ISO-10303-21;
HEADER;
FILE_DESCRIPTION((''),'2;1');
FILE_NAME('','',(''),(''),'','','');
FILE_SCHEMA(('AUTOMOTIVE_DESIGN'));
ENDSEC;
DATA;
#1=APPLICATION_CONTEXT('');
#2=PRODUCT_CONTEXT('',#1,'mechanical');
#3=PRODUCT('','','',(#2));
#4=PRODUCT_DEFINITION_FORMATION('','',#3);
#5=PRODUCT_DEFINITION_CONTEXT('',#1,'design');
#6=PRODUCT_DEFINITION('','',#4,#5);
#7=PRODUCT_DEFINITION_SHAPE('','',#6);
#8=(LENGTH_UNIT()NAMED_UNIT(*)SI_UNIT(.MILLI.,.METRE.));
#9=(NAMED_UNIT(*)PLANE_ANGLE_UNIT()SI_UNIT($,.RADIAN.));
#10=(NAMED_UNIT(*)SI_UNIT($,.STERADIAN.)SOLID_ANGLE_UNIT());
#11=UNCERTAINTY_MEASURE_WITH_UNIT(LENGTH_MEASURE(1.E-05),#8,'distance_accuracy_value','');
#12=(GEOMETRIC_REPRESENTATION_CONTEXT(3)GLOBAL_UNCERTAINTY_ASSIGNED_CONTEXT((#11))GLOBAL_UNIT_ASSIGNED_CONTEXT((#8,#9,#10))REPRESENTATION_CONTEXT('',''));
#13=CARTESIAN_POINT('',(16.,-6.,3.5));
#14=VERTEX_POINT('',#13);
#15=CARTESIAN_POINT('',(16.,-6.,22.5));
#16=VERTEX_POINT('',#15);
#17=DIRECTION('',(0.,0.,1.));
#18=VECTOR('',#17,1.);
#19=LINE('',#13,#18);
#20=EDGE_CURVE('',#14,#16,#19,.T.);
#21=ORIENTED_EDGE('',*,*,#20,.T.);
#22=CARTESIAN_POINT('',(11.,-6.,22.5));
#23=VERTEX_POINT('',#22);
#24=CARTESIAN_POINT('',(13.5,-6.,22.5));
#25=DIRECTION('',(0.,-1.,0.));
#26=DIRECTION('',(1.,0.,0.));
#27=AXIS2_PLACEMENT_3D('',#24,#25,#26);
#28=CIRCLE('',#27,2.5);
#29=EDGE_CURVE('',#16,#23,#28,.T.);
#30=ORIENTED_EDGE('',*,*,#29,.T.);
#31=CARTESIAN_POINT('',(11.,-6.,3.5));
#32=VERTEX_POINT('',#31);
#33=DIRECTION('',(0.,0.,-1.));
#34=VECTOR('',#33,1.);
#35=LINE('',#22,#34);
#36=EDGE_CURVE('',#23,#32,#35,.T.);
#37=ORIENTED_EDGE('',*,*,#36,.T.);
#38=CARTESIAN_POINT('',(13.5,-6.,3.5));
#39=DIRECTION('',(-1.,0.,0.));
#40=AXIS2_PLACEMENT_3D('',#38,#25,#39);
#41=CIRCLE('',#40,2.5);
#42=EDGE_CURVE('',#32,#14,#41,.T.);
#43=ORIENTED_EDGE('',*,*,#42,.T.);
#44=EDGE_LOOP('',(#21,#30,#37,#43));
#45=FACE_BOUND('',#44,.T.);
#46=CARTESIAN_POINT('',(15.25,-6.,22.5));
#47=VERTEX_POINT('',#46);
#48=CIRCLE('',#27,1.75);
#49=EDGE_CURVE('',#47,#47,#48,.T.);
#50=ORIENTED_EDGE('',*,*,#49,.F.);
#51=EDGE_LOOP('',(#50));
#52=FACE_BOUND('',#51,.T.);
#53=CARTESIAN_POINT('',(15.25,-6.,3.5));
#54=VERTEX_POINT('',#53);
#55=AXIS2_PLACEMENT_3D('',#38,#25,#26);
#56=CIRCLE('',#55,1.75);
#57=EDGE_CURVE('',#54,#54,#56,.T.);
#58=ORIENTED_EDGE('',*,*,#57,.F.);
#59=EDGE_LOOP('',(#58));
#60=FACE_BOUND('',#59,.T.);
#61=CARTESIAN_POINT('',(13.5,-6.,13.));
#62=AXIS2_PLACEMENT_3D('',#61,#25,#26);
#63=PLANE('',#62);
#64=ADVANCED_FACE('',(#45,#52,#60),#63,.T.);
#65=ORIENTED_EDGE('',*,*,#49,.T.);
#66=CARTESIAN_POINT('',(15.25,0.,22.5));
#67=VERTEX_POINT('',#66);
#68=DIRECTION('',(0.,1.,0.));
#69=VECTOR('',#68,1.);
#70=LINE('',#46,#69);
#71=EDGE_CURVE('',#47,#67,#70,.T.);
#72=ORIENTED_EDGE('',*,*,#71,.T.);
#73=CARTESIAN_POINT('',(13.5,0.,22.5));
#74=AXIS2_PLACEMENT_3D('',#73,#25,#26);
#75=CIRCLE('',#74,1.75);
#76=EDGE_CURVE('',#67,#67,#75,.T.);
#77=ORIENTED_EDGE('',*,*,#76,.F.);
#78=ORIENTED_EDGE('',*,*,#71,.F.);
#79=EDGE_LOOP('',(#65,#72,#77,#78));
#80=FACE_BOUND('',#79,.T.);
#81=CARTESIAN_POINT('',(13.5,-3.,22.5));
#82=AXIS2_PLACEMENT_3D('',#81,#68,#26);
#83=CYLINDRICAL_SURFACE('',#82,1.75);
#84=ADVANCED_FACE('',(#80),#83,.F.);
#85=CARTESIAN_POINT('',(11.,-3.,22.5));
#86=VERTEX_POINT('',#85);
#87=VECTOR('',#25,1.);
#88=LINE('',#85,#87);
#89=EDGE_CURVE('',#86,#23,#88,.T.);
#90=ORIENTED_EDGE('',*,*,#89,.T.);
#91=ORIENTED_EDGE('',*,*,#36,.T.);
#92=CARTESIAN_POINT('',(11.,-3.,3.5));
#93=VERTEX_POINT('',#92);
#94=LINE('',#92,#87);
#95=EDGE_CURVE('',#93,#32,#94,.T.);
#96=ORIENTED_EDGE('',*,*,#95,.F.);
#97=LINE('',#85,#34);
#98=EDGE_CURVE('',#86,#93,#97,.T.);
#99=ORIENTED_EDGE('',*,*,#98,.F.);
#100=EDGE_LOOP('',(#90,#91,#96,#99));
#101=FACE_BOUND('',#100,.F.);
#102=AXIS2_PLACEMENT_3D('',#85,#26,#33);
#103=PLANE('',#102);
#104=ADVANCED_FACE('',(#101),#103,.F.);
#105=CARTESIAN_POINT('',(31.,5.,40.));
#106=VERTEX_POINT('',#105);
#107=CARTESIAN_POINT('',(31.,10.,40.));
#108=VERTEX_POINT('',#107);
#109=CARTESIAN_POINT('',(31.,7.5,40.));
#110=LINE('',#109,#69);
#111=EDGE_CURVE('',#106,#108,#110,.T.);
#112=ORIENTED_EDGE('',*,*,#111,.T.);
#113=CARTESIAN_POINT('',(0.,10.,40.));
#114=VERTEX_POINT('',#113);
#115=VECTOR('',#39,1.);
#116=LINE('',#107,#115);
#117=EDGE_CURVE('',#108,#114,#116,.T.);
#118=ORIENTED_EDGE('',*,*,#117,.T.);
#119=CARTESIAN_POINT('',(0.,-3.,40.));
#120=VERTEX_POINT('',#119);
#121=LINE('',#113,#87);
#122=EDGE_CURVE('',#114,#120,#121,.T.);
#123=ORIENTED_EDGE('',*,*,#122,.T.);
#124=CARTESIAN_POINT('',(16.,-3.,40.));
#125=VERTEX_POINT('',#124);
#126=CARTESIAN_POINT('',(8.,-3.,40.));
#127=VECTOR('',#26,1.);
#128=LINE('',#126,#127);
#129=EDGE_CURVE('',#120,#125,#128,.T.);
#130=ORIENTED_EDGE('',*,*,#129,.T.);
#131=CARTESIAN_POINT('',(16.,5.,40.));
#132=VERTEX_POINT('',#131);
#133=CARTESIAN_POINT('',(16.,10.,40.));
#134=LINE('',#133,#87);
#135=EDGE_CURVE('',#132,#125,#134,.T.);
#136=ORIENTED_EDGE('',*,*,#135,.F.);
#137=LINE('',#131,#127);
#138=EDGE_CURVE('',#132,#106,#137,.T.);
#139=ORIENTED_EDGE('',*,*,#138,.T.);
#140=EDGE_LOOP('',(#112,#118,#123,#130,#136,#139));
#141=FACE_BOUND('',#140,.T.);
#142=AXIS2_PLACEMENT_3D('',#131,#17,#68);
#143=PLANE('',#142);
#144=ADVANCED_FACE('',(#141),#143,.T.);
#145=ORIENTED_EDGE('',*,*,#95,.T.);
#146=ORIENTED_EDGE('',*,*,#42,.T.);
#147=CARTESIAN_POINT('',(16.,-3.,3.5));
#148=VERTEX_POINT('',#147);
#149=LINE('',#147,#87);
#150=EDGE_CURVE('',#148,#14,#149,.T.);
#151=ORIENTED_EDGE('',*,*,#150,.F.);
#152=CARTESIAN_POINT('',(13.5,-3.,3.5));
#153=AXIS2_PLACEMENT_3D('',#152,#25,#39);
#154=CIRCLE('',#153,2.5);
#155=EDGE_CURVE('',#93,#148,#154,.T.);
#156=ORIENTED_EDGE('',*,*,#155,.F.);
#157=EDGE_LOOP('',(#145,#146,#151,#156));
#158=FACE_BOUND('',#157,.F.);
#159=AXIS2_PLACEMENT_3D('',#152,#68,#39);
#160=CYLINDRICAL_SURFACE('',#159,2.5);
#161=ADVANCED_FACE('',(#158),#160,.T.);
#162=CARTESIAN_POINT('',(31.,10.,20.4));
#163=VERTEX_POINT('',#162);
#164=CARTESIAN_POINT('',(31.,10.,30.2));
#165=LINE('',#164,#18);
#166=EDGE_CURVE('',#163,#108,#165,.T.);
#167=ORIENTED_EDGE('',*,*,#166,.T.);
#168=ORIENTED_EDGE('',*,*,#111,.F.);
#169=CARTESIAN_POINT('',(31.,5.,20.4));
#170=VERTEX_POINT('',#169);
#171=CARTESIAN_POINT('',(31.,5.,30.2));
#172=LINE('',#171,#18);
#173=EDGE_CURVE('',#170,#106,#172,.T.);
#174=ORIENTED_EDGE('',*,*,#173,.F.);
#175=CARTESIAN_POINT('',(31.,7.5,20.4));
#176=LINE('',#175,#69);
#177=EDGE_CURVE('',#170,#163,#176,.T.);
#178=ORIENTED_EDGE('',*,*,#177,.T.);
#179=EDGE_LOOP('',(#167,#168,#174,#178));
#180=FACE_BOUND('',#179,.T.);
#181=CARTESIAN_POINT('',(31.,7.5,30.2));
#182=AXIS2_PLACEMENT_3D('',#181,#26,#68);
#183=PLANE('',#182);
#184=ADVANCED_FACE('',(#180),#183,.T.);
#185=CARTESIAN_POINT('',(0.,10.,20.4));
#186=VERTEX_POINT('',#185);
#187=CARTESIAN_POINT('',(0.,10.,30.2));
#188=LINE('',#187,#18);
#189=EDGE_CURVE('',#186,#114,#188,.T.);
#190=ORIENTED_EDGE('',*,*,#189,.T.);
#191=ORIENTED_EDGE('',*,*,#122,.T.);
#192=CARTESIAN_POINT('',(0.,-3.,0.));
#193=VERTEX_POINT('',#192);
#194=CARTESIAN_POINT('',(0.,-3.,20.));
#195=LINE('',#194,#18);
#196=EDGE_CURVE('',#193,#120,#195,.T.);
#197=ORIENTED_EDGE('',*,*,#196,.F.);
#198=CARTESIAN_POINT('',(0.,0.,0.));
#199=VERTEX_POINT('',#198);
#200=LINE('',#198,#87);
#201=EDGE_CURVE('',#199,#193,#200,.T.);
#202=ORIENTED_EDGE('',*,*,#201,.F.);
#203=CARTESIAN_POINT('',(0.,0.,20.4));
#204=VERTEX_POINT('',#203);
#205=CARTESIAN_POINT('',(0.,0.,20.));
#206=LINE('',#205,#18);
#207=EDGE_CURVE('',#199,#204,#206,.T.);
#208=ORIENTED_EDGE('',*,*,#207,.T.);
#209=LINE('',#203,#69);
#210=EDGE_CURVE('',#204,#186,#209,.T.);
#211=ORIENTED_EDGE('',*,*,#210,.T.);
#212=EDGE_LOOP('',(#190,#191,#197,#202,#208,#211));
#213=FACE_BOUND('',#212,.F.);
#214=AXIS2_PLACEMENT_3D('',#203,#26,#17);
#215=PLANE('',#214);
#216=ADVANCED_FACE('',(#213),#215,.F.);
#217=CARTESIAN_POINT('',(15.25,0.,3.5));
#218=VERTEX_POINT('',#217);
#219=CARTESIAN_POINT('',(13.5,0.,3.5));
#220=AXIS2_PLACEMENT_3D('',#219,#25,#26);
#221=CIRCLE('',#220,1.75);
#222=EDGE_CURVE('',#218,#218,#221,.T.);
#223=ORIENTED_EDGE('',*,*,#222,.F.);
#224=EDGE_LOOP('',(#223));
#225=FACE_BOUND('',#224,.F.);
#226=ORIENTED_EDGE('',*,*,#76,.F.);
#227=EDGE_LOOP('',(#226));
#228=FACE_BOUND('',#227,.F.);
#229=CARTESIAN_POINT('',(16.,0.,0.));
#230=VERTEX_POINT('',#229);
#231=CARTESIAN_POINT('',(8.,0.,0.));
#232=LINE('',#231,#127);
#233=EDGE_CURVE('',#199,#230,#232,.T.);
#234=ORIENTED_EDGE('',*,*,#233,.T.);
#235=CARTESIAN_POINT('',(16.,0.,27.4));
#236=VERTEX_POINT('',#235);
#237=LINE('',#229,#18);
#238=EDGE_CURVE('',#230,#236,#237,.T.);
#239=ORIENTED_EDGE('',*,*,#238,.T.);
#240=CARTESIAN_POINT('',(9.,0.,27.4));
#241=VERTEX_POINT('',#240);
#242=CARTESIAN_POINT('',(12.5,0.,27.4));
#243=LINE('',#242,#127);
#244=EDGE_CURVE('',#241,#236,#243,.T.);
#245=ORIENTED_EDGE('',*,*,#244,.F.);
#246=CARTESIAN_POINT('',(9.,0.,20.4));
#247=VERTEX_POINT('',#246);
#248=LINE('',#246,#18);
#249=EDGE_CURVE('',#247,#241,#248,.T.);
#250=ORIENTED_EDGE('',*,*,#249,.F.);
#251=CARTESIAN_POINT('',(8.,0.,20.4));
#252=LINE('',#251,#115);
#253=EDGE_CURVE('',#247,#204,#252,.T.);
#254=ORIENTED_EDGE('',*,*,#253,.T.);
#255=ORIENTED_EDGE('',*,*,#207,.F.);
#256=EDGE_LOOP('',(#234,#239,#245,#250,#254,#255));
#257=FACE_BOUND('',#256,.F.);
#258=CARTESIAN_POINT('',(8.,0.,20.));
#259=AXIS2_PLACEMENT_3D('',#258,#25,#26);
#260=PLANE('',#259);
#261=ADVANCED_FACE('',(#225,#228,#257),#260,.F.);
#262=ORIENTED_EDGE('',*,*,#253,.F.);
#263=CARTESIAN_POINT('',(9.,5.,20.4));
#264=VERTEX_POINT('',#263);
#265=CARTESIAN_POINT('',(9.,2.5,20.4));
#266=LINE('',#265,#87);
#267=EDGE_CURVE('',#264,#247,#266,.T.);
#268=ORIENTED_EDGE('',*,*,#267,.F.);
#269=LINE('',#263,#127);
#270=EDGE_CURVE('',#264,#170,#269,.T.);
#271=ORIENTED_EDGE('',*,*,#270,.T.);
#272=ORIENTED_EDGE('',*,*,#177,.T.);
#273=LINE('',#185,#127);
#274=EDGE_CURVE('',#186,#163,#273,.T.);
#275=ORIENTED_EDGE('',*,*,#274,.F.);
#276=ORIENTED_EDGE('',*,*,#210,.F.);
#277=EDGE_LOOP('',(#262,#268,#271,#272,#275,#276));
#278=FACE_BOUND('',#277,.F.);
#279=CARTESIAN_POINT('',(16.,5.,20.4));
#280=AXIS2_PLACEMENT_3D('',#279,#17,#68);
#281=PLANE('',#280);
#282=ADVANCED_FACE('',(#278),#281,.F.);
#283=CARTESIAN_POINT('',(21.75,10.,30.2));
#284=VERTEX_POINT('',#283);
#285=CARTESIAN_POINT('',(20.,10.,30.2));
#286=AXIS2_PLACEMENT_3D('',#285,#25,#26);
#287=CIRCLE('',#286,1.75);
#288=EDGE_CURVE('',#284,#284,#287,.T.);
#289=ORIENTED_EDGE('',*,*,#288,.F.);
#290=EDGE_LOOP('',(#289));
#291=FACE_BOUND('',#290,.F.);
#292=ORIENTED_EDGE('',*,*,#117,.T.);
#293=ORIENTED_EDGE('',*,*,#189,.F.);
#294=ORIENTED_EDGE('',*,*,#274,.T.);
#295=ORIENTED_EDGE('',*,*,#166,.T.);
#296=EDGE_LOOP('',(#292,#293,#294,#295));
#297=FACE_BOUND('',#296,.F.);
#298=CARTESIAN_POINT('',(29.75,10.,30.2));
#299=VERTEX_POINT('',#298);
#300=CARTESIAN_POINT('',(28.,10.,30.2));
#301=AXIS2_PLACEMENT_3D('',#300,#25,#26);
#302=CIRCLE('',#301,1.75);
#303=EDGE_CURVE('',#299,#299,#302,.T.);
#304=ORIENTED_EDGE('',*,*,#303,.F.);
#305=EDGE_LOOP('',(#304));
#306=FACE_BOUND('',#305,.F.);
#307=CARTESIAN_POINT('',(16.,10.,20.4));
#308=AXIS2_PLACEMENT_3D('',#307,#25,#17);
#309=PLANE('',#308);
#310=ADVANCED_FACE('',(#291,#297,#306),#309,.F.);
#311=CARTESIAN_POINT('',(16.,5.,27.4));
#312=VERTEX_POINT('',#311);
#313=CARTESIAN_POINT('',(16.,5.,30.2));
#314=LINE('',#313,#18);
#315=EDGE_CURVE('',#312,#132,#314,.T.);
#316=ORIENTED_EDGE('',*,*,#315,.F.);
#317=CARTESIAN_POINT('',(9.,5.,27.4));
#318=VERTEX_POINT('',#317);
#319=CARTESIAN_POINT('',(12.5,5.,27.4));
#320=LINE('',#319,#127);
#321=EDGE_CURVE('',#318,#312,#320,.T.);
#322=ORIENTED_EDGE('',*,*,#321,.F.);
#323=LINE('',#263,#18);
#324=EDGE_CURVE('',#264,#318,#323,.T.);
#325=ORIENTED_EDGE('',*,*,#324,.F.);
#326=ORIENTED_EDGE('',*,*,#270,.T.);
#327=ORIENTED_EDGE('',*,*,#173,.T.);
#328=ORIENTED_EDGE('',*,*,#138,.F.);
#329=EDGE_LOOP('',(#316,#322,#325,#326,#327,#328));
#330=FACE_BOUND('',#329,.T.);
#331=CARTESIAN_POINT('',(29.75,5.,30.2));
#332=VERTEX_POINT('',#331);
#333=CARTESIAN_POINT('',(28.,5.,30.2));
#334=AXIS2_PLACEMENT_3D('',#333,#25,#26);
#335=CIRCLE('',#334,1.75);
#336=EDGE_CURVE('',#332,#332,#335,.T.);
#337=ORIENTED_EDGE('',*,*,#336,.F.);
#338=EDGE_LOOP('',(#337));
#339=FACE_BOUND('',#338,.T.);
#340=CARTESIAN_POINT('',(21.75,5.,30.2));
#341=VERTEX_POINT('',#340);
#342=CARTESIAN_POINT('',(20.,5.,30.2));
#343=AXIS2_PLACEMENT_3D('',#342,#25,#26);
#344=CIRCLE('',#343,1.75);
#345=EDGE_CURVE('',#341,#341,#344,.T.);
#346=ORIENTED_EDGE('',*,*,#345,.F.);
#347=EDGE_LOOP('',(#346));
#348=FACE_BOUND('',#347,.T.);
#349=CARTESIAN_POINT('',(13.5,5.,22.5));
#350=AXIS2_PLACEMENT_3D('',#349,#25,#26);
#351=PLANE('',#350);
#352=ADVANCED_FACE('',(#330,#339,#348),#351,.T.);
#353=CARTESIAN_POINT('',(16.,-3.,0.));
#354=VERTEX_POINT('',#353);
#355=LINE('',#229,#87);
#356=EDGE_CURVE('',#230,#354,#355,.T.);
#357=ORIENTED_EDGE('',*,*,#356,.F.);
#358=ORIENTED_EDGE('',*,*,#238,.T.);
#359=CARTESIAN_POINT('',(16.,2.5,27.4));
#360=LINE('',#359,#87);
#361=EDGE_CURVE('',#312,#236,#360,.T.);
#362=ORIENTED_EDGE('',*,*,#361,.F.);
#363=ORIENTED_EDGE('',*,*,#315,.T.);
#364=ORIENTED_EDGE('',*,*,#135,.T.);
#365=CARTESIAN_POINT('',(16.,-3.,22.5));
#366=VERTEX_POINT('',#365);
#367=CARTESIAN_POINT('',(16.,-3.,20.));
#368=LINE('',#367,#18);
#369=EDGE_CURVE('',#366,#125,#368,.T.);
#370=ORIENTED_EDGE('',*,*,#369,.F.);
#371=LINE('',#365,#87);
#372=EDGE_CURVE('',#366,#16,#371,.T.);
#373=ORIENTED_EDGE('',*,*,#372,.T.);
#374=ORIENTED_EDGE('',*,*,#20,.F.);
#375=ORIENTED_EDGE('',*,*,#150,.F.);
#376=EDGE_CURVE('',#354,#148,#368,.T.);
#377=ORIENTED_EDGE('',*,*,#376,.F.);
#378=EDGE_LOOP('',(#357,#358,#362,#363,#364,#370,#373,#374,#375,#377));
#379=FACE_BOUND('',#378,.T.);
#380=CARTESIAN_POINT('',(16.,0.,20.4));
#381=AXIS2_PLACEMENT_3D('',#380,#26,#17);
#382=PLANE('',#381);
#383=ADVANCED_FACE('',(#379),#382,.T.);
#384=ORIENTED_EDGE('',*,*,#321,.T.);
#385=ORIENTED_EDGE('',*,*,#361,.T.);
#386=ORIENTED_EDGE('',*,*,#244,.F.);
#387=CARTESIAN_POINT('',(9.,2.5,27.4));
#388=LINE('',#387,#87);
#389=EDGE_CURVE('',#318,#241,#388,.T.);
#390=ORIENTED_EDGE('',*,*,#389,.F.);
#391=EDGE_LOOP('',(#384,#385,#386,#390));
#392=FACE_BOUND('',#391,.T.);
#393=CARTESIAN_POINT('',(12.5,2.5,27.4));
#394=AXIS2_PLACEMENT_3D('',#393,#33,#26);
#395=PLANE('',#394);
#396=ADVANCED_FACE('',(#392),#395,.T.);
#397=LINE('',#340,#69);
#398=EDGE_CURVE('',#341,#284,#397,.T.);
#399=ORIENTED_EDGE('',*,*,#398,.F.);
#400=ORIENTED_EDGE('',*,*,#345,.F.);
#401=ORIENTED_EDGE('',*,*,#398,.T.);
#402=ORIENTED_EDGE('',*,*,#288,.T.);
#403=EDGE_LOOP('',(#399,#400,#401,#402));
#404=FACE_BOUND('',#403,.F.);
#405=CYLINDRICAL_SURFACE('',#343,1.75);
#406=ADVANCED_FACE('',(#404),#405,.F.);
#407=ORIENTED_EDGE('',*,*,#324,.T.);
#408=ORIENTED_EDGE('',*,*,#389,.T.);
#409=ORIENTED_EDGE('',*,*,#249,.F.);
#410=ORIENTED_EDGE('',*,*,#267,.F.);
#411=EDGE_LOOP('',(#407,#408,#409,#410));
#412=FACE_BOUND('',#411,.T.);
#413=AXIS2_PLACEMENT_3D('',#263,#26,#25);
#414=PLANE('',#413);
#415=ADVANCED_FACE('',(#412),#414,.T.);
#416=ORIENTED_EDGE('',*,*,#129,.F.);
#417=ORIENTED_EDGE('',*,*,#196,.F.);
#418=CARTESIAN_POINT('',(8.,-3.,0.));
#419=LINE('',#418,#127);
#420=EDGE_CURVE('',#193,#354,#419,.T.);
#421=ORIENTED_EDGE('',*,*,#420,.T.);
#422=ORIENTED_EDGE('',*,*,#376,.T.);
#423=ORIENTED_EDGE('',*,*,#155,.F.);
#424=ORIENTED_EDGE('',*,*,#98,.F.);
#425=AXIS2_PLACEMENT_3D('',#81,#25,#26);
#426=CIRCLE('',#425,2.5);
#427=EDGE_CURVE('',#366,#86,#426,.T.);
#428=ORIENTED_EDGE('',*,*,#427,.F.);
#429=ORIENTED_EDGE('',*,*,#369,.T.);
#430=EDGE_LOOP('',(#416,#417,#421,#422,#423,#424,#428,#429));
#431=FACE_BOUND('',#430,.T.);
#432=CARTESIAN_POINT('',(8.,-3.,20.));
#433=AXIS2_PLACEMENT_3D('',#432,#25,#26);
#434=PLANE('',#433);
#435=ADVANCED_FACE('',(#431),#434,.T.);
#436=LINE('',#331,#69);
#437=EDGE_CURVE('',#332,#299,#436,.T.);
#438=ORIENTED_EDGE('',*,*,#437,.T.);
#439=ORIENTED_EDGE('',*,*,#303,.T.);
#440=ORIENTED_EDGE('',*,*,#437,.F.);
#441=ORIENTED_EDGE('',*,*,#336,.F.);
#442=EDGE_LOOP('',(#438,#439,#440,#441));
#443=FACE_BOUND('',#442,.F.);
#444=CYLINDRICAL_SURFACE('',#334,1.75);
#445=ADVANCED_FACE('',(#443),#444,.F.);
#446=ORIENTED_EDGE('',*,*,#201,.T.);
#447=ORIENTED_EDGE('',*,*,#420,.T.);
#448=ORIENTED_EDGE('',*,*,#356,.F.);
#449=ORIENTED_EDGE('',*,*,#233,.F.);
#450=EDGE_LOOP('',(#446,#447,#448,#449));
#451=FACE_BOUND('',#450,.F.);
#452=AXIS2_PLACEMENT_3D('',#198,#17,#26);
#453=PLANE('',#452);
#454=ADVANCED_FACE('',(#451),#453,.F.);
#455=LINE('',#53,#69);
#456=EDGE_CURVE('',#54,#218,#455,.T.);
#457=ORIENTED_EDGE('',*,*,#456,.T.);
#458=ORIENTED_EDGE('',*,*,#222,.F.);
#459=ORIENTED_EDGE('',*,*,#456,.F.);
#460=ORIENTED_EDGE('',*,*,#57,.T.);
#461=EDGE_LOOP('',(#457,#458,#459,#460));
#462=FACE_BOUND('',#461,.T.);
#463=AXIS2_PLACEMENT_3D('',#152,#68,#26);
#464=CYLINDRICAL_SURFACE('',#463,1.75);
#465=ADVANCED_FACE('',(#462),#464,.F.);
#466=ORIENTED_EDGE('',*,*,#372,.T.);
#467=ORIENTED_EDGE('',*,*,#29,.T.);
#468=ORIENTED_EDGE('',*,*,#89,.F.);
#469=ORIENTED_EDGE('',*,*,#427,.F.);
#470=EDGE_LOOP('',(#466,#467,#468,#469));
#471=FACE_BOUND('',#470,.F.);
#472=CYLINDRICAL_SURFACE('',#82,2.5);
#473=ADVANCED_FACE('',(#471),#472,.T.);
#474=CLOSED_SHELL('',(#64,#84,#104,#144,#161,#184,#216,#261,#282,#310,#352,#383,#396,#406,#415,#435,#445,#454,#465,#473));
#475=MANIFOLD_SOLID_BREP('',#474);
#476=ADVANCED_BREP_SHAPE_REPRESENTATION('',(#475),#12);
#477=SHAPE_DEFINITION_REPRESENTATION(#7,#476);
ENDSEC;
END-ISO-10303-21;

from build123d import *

# Parameters (mm, degrees)
F0_W      = 16
F0_H      = 40
F0_R      = 1.75
F1_DEPTH  = 3
F2_R      = 1.75
F3_DEPTH  = 3
F4_W      = 16
F4_H      = 19.6
F4_R      = 1.75
F5_DEPTH  = 10
F6_W      = 5
F6_H      = 19.6
F7_DEPTH  = 15
F8_R      = 1.75
F9_DEPTH  = 5
F10_W     = 7
F10_H     = 5
F11_DEPTH = 7
F12_R     = 1.75
F13_DEPTH = 5


with BuildPart() as f1:
    # F0 (on Front) → F1 (new body)
    with BuildSketch(Plane.XZ):
        with Locations((8, 20)):
            Rectangle(F0_W, F0_H)
        with Locations((13.5, 3.5)):
            Circle(F0_R, mode=Mode.SUBTRACT)
        with Locations((13.5, 22.5)):
            Circle(F0_R, mode=Mode.SUBTRACT)
    extrude(amount=F1_DEPTH)

    # F2 (on face) → F3 (join)
    with BuildSketch(Plane.XZ.offset(3)):
        with BuildLine():
            ThreePointArc((11, 3.5), (13.5, 1), (16, 3.5))
            Line((16, 3.5), (16, 22.5))
            ThreePointArc((16, 22.5), (13.5, 25), (11, 22.5))
            Line((11, 22.5), (11, 3.5))
        make_face()
        with Locations((13.5, 3.5)):
            Circle(F2_R, mode=Mode.SUBTRACT)
        with Locations((13.5, 22.5)):
            Circle(F2_R, mode=Mode.SUBTRACT)
    extrude(amount=F3_DEPTH)

    # F4 (on face) → F5 (join)
    with BuildSketch(Plane(origin=(0, 0, 0), x_dir=(-1, 0, 0), z_dir=(0, 1, 0))):
        with Locations((-8, 30.2)):
            Rectangle(F4_W, F4_H)
        with Locations((-13.5, 22.5)):
            Circle(F4_R, mode=Mode.SUBTRACT)
    extrude(amount=F5_DEPTH)

    # F6 (on face) → F7 (join)
    with BuildSketch(Plane.YZ.offset(16)):
        with Locations((7.5, 30.2)):
            Rectangle(F6_W, F6_H)
    extrude(amount=F7_DEPTH)

    # F8 (on face) → F9 (cut, through all)
    with BuildSketch(Plane.XZ.offset(-5)):
        with Locations((20, 30.2)):
            Circle(F8_R)
        with Locations((28, 30.2)):
            Circle(F8_R)
    extrude(amount=-F9_DEPTH, mode=Mode.SUBTRACT)

    # F10 (on face) → F11 (cut)
    with BuildSketch(Plane(origin=(0, 0, 20.4), x_dir=(1, 0, 0), z_dir=(0, 0, -1))):
        with Locations((12.5, -2.5)):
            Rectangle(F10_W, F10_H)
    extrude(amount=-F11_DEPTH, mode=Mode.SUBTRACT)

    # F12 (on face) → F13 (join, through all)
    with BuildSketch(Plane.XZ.offset(-5)):
        with Locations((13.5, 22.5)):
            Circle(F12_R)
    extrude(amount=-F13_DEPTH)


solid = f1.part
